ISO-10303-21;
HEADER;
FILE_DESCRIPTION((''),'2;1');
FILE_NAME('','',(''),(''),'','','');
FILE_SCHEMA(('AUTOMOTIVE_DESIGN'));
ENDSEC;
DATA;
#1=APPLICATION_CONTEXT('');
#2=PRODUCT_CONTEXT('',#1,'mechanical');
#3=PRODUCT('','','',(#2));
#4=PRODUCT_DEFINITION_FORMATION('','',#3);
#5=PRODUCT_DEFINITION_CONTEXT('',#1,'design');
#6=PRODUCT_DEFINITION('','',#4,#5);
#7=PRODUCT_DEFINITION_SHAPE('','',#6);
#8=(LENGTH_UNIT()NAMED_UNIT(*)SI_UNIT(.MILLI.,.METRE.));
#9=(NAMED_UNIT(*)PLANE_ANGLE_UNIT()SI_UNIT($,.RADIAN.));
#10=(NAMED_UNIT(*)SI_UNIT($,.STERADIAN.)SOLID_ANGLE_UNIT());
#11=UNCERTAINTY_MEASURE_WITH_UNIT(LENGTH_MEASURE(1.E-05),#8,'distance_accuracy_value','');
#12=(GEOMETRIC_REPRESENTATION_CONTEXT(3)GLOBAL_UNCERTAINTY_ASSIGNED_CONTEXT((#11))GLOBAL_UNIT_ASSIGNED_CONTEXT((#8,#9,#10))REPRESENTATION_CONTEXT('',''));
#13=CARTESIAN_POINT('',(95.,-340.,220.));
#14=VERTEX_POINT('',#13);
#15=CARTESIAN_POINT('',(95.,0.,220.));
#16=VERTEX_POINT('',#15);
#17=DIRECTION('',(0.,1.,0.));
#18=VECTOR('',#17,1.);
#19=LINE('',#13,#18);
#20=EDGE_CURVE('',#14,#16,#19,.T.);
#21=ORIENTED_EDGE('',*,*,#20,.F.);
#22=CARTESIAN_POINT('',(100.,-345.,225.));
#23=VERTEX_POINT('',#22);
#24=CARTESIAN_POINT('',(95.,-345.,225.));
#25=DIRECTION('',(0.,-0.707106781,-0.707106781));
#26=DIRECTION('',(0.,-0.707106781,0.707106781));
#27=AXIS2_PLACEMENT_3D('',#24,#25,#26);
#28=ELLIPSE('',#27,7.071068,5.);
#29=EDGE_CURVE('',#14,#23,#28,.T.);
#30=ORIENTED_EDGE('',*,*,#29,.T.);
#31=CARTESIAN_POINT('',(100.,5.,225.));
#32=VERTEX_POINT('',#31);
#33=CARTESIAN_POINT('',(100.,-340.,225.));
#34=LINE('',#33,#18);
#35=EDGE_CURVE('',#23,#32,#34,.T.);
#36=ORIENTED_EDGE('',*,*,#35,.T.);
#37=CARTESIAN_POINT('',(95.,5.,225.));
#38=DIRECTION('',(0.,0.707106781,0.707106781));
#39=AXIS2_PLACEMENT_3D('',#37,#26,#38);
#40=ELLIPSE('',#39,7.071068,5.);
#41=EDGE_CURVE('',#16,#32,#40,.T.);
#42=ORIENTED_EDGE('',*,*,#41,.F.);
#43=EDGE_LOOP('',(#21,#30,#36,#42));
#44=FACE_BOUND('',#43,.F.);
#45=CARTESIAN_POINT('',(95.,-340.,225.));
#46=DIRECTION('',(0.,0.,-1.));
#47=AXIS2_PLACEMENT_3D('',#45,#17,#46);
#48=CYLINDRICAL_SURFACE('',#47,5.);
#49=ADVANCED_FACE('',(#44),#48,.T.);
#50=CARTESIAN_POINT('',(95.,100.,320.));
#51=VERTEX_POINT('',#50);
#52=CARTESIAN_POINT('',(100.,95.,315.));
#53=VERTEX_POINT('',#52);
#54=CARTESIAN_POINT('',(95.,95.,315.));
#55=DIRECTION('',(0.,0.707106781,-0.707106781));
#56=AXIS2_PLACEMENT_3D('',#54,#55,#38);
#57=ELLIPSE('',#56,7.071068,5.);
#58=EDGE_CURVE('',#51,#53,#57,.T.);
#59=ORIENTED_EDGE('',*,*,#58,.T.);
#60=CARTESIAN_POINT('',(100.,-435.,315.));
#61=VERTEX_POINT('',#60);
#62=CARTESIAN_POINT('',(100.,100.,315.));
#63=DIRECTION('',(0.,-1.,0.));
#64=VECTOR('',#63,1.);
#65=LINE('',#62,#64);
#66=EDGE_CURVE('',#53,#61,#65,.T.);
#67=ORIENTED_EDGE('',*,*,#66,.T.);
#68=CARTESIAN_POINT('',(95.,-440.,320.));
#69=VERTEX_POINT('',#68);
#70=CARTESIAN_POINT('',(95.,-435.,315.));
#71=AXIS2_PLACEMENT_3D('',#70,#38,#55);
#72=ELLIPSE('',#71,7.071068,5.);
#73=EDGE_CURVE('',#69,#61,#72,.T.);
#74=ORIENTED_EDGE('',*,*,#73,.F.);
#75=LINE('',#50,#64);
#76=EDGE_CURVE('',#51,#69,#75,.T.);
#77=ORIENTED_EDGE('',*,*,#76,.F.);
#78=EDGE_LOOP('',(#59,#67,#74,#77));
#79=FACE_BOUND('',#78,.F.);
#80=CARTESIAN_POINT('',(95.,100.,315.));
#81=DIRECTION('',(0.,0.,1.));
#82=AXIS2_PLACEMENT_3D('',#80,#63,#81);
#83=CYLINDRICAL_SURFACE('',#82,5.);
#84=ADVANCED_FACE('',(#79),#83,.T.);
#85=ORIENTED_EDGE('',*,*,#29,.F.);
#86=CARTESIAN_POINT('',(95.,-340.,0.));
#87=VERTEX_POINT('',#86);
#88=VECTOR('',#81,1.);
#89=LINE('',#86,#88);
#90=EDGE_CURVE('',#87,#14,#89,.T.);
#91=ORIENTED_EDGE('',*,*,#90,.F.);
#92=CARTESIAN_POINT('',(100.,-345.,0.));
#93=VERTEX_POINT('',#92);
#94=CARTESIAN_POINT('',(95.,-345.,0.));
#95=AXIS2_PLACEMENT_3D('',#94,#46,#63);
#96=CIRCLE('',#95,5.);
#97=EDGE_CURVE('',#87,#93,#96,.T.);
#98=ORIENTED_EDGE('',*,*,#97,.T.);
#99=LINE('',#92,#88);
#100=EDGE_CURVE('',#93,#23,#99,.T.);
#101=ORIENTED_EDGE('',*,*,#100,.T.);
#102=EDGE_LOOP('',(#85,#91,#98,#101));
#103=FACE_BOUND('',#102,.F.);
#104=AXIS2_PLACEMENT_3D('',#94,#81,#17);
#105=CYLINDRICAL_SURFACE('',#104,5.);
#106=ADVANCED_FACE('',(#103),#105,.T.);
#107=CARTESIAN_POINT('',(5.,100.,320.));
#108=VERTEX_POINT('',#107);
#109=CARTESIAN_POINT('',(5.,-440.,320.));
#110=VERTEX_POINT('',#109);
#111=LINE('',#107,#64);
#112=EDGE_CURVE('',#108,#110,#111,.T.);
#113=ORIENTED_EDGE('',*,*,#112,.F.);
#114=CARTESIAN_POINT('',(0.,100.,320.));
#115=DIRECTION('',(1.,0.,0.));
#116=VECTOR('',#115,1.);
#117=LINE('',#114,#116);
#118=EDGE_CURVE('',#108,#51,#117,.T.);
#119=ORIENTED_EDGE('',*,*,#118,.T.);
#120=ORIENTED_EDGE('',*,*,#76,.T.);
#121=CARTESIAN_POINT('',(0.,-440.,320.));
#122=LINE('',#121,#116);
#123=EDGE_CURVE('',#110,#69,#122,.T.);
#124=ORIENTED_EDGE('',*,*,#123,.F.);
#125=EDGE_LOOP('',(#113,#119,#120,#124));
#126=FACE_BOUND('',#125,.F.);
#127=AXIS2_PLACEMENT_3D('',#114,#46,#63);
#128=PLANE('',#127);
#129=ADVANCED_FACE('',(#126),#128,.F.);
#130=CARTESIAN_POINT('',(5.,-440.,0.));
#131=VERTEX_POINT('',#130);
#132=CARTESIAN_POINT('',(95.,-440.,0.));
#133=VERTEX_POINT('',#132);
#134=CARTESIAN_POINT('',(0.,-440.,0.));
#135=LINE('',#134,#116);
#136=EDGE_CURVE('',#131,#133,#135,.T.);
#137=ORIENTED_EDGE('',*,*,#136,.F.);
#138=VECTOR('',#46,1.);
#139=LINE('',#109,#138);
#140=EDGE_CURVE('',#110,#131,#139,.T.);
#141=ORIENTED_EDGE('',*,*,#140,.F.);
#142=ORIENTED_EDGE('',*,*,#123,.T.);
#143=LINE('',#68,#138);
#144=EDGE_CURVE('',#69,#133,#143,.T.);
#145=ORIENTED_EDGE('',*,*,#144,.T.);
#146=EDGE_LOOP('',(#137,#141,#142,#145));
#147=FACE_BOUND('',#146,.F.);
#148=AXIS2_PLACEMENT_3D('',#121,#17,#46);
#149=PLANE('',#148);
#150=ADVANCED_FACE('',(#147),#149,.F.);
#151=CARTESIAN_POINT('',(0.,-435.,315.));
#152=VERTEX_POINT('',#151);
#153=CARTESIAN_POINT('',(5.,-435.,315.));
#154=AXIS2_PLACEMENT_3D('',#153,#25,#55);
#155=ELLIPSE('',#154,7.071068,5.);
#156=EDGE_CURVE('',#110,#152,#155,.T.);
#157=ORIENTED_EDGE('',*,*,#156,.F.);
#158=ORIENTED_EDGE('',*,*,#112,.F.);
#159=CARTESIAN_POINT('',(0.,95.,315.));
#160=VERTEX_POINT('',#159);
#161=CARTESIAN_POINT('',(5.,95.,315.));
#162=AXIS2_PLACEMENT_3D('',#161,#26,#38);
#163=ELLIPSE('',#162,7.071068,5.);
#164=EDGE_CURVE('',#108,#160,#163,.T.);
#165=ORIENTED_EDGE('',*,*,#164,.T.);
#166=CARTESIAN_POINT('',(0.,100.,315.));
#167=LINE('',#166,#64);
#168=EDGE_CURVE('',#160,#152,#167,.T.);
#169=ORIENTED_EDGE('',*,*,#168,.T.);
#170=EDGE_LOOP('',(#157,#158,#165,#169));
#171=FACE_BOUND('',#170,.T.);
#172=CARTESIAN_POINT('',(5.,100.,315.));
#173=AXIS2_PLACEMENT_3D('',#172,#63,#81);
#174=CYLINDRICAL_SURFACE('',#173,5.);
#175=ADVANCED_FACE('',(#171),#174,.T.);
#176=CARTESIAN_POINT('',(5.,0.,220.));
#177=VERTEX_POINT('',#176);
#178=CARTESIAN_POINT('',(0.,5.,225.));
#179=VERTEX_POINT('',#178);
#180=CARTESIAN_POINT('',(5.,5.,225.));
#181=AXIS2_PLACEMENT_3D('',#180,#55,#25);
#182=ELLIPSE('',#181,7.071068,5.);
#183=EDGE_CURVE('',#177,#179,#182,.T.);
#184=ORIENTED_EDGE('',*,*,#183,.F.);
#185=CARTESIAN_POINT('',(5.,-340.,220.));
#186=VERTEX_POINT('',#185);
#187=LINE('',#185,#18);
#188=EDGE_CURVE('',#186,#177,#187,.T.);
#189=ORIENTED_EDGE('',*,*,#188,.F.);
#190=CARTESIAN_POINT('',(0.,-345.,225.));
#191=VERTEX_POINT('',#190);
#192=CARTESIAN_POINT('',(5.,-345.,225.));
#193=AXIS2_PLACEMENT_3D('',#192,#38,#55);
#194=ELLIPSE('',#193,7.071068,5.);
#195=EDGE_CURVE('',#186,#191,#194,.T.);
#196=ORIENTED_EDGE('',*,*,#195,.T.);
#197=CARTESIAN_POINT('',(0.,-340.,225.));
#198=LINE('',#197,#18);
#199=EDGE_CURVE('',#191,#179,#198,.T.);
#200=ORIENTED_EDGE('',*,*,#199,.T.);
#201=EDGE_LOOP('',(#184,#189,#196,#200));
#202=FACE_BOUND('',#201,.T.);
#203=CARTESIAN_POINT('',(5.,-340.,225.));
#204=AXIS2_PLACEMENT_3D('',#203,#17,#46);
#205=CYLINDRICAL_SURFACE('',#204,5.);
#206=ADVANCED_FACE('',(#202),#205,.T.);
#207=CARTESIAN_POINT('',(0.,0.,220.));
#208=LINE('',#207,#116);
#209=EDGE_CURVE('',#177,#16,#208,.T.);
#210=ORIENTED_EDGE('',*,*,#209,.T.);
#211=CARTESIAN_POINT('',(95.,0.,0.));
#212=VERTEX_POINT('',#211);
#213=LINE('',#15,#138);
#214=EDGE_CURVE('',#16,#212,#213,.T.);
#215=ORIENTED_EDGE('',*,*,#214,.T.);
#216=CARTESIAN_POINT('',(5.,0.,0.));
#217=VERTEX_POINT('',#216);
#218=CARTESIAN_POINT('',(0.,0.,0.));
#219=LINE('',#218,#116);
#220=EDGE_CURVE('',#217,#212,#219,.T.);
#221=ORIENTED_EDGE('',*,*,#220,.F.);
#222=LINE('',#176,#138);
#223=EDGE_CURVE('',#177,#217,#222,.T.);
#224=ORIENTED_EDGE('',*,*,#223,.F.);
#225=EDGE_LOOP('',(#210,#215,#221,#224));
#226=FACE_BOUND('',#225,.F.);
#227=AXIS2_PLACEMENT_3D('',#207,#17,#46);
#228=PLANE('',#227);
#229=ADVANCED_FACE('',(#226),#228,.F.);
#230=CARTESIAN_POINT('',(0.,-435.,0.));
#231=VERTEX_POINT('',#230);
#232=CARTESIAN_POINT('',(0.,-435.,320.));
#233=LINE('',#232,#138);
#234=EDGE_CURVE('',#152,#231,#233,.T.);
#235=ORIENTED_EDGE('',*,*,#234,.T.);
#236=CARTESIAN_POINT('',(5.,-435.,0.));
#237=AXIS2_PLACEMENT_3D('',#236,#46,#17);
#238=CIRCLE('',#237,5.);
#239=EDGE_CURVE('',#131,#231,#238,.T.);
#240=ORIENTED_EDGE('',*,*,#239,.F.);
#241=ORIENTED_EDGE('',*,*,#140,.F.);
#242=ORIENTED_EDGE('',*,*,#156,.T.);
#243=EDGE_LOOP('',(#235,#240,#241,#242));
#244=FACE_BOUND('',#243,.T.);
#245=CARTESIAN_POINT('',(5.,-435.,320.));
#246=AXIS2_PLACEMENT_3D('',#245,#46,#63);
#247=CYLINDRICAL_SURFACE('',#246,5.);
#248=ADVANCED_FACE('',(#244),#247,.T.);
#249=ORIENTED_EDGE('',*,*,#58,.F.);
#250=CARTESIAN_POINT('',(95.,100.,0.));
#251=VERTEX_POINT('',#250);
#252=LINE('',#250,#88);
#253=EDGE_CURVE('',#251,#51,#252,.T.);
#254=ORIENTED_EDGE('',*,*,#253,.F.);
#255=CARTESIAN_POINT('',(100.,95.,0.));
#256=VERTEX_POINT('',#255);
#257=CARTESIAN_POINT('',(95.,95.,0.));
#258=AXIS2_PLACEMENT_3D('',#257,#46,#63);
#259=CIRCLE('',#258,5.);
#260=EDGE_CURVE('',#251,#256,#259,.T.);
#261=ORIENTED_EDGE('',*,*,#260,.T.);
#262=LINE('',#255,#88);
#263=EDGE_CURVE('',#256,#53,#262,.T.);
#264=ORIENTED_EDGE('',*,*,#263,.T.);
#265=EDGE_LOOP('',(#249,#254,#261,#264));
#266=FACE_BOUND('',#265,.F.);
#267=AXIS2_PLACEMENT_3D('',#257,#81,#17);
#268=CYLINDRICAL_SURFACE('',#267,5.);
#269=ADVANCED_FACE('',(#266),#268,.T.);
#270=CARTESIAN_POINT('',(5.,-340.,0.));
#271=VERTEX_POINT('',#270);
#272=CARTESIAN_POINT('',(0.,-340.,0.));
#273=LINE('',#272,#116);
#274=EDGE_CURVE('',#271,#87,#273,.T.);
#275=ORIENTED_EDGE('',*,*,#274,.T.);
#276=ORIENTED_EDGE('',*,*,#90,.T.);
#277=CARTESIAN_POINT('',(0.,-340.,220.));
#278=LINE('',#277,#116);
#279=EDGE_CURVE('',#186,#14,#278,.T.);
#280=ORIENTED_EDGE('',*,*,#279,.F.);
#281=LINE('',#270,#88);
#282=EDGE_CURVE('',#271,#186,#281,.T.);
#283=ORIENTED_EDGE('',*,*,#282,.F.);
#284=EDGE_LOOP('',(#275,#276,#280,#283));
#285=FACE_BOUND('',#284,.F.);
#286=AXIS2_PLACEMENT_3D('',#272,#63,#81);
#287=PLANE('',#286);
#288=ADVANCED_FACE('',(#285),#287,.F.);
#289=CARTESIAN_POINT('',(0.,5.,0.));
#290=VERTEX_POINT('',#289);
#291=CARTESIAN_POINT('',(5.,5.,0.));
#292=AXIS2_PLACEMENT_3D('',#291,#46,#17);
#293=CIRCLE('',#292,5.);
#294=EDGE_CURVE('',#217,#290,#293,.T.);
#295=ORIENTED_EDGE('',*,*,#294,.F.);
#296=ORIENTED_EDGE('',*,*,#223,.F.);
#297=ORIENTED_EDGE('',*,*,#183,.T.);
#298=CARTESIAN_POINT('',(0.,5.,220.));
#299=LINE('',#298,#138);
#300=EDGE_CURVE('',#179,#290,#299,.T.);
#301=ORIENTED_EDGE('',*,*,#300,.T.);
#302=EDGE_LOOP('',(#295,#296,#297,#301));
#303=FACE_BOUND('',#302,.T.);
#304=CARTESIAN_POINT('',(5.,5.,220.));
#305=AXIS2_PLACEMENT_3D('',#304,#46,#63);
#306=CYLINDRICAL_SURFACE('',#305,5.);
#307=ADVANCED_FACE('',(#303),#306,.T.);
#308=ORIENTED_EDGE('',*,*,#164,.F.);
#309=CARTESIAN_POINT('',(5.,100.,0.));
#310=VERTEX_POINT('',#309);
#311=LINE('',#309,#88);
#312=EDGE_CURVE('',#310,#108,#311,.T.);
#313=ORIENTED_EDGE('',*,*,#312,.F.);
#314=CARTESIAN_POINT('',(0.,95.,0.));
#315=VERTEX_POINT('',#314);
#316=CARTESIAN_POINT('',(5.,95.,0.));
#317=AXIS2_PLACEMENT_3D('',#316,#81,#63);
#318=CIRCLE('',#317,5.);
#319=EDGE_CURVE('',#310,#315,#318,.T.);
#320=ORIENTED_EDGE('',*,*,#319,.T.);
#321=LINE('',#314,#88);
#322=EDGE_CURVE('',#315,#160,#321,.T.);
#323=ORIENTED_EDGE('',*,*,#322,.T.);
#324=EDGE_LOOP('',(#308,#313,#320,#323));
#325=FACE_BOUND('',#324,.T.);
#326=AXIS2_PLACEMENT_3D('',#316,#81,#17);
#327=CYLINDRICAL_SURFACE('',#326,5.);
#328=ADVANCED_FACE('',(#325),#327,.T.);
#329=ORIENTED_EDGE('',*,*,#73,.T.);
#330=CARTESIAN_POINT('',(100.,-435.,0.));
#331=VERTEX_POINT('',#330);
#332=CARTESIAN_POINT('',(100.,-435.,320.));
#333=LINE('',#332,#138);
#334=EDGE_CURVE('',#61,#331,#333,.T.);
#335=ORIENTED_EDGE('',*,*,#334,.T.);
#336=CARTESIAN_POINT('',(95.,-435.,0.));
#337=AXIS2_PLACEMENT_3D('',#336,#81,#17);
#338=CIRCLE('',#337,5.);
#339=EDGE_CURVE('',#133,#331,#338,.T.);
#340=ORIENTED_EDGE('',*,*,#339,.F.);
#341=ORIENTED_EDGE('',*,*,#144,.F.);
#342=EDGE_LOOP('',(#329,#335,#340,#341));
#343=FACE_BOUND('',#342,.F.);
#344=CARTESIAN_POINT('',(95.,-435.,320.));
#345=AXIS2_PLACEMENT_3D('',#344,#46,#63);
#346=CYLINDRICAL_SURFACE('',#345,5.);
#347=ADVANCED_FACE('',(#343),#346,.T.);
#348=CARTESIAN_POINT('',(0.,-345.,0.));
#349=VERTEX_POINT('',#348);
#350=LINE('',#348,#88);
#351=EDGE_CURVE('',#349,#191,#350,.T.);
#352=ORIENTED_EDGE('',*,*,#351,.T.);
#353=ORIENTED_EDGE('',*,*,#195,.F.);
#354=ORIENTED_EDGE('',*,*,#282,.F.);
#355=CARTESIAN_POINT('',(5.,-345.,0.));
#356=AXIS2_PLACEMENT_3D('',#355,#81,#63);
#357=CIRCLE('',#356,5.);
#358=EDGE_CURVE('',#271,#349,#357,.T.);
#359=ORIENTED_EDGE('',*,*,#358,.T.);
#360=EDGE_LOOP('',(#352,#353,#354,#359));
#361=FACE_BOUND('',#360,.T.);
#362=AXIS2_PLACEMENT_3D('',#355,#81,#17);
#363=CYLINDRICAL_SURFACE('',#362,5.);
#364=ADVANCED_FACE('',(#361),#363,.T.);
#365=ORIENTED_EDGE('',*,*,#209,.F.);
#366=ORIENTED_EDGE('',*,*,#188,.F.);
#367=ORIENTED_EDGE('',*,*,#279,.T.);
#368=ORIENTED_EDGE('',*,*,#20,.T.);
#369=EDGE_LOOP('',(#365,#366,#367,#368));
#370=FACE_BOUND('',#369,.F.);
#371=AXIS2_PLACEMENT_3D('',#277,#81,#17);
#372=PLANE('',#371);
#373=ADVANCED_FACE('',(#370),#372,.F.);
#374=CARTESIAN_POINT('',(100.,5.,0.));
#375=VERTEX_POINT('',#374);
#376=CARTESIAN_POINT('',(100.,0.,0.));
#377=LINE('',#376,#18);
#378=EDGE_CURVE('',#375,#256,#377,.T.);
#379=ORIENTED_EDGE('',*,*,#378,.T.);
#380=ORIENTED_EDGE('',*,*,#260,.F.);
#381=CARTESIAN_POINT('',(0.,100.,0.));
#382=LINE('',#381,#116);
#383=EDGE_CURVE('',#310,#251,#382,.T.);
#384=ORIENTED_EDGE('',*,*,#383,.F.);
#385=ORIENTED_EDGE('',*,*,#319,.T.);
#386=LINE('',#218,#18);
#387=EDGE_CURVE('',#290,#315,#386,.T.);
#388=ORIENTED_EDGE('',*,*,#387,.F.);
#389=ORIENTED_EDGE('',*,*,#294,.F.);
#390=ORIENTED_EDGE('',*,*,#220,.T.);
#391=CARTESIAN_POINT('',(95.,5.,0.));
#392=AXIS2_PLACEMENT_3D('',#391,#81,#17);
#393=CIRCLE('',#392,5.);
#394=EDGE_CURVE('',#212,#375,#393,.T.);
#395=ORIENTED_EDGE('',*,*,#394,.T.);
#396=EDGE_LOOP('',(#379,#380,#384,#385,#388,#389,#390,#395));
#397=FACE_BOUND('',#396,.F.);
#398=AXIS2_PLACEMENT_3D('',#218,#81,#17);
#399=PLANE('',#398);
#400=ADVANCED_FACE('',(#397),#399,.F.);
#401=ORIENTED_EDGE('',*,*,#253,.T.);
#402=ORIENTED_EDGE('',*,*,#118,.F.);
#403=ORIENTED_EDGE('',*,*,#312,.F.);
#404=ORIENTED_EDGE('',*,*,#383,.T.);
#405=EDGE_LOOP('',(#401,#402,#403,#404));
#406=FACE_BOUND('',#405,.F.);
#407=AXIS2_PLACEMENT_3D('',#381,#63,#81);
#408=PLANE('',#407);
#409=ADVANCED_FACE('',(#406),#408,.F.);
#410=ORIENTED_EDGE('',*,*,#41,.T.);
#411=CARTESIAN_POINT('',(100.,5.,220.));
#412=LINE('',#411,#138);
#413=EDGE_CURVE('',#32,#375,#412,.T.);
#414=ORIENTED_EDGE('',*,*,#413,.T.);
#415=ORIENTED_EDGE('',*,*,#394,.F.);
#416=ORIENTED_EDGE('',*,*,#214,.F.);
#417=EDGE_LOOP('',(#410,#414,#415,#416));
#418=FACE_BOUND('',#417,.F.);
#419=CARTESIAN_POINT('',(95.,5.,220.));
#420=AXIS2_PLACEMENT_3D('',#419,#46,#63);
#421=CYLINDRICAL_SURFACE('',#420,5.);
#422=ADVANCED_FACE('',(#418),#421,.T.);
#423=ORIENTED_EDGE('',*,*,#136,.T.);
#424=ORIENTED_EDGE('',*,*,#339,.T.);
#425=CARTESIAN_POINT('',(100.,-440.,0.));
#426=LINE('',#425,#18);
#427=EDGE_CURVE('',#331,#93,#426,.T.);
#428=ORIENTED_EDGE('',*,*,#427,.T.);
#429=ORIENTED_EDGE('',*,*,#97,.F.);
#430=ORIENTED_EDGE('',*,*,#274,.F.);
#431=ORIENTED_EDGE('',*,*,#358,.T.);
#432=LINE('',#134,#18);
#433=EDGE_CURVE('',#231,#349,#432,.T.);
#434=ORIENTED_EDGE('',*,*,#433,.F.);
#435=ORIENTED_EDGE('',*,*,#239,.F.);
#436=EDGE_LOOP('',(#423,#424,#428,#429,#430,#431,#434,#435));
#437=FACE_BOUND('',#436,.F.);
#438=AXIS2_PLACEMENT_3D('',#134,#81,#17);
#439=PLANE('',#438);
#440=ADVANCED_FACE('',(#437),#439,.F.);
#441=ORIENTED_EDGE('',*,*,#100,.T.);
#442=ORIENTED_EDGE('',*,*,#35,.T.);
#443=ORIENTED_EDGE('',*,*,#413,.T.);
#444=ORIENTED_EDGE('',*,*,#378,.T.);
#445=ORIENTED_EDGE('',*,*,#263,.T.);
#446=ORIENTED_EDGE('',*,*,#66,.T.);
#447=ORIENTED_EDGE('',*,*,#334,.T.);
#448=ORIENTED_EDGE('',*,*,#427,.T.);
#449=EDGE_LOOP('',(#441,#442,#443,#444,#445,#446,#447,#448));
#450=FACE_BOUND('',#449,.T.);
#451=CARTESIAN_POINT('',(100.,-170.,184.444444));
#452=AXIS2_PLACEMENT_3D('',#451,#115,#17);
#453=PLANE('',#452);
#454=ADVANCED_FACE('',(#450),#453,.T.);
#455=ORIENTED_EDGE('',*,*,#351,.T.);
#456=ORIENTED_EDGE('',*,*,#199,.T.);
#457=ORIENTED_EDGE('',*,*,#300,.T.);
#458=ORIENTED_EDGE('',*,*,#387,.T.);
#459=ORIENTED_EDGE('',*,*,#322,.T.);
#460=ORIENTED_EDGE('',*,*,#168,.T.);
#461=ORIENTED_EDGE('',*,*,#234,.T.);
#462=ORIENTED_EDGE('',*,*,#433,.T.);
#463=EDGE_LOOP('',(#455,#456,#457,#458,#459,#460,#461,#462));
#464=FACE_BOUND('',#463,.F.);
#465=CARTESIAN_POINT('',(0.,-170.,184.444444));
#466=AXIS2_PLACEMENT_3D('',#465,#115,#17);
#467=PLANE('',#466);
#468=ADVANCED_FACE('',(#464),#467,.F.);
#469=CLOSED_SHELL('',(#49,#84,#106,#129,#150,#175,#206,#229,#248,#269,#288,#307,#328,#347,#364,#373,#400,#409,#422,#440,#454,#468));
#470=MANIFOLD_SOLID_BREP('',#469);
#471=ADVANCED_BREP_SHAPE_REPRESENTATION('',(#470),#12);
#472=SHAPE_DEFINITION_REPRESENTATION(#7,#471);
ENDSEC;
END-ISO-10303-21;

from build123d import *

# Parameters (mm, degrees)
F1_DEPTH = 100
F2_R     = 5


with BuildPart() as f1:
    # F0 (on Right) → F1 (new body)
    with BuildSketch(Plane.YZ):
        Polygon((0, 220), (0, 0), (100, 0), (100, 320), (-440, 320), (-440, 0), (-340, 0), (-340, 220), align=None)
    extrude(amount=F1_DEPTH)

    # F2
    f2_edges = [f1.edges().sort_by_distance(p)[0] for p in [
        (100, -440, 160),
        (100, -340, 110),
        (100, -170, 220),
        (100, 0, 110),
        (100, 100, 160),
        (0, -440, 160),
        (0, 0, 110),
        (0, -170, 220),
        (0, -340, 110),
        (0, 100, 160),
        (0, -170, 320),
        (100, -170, 320),
    ]]
    fillet(f2_edges, radius=F2_R)


solid = f1.part
